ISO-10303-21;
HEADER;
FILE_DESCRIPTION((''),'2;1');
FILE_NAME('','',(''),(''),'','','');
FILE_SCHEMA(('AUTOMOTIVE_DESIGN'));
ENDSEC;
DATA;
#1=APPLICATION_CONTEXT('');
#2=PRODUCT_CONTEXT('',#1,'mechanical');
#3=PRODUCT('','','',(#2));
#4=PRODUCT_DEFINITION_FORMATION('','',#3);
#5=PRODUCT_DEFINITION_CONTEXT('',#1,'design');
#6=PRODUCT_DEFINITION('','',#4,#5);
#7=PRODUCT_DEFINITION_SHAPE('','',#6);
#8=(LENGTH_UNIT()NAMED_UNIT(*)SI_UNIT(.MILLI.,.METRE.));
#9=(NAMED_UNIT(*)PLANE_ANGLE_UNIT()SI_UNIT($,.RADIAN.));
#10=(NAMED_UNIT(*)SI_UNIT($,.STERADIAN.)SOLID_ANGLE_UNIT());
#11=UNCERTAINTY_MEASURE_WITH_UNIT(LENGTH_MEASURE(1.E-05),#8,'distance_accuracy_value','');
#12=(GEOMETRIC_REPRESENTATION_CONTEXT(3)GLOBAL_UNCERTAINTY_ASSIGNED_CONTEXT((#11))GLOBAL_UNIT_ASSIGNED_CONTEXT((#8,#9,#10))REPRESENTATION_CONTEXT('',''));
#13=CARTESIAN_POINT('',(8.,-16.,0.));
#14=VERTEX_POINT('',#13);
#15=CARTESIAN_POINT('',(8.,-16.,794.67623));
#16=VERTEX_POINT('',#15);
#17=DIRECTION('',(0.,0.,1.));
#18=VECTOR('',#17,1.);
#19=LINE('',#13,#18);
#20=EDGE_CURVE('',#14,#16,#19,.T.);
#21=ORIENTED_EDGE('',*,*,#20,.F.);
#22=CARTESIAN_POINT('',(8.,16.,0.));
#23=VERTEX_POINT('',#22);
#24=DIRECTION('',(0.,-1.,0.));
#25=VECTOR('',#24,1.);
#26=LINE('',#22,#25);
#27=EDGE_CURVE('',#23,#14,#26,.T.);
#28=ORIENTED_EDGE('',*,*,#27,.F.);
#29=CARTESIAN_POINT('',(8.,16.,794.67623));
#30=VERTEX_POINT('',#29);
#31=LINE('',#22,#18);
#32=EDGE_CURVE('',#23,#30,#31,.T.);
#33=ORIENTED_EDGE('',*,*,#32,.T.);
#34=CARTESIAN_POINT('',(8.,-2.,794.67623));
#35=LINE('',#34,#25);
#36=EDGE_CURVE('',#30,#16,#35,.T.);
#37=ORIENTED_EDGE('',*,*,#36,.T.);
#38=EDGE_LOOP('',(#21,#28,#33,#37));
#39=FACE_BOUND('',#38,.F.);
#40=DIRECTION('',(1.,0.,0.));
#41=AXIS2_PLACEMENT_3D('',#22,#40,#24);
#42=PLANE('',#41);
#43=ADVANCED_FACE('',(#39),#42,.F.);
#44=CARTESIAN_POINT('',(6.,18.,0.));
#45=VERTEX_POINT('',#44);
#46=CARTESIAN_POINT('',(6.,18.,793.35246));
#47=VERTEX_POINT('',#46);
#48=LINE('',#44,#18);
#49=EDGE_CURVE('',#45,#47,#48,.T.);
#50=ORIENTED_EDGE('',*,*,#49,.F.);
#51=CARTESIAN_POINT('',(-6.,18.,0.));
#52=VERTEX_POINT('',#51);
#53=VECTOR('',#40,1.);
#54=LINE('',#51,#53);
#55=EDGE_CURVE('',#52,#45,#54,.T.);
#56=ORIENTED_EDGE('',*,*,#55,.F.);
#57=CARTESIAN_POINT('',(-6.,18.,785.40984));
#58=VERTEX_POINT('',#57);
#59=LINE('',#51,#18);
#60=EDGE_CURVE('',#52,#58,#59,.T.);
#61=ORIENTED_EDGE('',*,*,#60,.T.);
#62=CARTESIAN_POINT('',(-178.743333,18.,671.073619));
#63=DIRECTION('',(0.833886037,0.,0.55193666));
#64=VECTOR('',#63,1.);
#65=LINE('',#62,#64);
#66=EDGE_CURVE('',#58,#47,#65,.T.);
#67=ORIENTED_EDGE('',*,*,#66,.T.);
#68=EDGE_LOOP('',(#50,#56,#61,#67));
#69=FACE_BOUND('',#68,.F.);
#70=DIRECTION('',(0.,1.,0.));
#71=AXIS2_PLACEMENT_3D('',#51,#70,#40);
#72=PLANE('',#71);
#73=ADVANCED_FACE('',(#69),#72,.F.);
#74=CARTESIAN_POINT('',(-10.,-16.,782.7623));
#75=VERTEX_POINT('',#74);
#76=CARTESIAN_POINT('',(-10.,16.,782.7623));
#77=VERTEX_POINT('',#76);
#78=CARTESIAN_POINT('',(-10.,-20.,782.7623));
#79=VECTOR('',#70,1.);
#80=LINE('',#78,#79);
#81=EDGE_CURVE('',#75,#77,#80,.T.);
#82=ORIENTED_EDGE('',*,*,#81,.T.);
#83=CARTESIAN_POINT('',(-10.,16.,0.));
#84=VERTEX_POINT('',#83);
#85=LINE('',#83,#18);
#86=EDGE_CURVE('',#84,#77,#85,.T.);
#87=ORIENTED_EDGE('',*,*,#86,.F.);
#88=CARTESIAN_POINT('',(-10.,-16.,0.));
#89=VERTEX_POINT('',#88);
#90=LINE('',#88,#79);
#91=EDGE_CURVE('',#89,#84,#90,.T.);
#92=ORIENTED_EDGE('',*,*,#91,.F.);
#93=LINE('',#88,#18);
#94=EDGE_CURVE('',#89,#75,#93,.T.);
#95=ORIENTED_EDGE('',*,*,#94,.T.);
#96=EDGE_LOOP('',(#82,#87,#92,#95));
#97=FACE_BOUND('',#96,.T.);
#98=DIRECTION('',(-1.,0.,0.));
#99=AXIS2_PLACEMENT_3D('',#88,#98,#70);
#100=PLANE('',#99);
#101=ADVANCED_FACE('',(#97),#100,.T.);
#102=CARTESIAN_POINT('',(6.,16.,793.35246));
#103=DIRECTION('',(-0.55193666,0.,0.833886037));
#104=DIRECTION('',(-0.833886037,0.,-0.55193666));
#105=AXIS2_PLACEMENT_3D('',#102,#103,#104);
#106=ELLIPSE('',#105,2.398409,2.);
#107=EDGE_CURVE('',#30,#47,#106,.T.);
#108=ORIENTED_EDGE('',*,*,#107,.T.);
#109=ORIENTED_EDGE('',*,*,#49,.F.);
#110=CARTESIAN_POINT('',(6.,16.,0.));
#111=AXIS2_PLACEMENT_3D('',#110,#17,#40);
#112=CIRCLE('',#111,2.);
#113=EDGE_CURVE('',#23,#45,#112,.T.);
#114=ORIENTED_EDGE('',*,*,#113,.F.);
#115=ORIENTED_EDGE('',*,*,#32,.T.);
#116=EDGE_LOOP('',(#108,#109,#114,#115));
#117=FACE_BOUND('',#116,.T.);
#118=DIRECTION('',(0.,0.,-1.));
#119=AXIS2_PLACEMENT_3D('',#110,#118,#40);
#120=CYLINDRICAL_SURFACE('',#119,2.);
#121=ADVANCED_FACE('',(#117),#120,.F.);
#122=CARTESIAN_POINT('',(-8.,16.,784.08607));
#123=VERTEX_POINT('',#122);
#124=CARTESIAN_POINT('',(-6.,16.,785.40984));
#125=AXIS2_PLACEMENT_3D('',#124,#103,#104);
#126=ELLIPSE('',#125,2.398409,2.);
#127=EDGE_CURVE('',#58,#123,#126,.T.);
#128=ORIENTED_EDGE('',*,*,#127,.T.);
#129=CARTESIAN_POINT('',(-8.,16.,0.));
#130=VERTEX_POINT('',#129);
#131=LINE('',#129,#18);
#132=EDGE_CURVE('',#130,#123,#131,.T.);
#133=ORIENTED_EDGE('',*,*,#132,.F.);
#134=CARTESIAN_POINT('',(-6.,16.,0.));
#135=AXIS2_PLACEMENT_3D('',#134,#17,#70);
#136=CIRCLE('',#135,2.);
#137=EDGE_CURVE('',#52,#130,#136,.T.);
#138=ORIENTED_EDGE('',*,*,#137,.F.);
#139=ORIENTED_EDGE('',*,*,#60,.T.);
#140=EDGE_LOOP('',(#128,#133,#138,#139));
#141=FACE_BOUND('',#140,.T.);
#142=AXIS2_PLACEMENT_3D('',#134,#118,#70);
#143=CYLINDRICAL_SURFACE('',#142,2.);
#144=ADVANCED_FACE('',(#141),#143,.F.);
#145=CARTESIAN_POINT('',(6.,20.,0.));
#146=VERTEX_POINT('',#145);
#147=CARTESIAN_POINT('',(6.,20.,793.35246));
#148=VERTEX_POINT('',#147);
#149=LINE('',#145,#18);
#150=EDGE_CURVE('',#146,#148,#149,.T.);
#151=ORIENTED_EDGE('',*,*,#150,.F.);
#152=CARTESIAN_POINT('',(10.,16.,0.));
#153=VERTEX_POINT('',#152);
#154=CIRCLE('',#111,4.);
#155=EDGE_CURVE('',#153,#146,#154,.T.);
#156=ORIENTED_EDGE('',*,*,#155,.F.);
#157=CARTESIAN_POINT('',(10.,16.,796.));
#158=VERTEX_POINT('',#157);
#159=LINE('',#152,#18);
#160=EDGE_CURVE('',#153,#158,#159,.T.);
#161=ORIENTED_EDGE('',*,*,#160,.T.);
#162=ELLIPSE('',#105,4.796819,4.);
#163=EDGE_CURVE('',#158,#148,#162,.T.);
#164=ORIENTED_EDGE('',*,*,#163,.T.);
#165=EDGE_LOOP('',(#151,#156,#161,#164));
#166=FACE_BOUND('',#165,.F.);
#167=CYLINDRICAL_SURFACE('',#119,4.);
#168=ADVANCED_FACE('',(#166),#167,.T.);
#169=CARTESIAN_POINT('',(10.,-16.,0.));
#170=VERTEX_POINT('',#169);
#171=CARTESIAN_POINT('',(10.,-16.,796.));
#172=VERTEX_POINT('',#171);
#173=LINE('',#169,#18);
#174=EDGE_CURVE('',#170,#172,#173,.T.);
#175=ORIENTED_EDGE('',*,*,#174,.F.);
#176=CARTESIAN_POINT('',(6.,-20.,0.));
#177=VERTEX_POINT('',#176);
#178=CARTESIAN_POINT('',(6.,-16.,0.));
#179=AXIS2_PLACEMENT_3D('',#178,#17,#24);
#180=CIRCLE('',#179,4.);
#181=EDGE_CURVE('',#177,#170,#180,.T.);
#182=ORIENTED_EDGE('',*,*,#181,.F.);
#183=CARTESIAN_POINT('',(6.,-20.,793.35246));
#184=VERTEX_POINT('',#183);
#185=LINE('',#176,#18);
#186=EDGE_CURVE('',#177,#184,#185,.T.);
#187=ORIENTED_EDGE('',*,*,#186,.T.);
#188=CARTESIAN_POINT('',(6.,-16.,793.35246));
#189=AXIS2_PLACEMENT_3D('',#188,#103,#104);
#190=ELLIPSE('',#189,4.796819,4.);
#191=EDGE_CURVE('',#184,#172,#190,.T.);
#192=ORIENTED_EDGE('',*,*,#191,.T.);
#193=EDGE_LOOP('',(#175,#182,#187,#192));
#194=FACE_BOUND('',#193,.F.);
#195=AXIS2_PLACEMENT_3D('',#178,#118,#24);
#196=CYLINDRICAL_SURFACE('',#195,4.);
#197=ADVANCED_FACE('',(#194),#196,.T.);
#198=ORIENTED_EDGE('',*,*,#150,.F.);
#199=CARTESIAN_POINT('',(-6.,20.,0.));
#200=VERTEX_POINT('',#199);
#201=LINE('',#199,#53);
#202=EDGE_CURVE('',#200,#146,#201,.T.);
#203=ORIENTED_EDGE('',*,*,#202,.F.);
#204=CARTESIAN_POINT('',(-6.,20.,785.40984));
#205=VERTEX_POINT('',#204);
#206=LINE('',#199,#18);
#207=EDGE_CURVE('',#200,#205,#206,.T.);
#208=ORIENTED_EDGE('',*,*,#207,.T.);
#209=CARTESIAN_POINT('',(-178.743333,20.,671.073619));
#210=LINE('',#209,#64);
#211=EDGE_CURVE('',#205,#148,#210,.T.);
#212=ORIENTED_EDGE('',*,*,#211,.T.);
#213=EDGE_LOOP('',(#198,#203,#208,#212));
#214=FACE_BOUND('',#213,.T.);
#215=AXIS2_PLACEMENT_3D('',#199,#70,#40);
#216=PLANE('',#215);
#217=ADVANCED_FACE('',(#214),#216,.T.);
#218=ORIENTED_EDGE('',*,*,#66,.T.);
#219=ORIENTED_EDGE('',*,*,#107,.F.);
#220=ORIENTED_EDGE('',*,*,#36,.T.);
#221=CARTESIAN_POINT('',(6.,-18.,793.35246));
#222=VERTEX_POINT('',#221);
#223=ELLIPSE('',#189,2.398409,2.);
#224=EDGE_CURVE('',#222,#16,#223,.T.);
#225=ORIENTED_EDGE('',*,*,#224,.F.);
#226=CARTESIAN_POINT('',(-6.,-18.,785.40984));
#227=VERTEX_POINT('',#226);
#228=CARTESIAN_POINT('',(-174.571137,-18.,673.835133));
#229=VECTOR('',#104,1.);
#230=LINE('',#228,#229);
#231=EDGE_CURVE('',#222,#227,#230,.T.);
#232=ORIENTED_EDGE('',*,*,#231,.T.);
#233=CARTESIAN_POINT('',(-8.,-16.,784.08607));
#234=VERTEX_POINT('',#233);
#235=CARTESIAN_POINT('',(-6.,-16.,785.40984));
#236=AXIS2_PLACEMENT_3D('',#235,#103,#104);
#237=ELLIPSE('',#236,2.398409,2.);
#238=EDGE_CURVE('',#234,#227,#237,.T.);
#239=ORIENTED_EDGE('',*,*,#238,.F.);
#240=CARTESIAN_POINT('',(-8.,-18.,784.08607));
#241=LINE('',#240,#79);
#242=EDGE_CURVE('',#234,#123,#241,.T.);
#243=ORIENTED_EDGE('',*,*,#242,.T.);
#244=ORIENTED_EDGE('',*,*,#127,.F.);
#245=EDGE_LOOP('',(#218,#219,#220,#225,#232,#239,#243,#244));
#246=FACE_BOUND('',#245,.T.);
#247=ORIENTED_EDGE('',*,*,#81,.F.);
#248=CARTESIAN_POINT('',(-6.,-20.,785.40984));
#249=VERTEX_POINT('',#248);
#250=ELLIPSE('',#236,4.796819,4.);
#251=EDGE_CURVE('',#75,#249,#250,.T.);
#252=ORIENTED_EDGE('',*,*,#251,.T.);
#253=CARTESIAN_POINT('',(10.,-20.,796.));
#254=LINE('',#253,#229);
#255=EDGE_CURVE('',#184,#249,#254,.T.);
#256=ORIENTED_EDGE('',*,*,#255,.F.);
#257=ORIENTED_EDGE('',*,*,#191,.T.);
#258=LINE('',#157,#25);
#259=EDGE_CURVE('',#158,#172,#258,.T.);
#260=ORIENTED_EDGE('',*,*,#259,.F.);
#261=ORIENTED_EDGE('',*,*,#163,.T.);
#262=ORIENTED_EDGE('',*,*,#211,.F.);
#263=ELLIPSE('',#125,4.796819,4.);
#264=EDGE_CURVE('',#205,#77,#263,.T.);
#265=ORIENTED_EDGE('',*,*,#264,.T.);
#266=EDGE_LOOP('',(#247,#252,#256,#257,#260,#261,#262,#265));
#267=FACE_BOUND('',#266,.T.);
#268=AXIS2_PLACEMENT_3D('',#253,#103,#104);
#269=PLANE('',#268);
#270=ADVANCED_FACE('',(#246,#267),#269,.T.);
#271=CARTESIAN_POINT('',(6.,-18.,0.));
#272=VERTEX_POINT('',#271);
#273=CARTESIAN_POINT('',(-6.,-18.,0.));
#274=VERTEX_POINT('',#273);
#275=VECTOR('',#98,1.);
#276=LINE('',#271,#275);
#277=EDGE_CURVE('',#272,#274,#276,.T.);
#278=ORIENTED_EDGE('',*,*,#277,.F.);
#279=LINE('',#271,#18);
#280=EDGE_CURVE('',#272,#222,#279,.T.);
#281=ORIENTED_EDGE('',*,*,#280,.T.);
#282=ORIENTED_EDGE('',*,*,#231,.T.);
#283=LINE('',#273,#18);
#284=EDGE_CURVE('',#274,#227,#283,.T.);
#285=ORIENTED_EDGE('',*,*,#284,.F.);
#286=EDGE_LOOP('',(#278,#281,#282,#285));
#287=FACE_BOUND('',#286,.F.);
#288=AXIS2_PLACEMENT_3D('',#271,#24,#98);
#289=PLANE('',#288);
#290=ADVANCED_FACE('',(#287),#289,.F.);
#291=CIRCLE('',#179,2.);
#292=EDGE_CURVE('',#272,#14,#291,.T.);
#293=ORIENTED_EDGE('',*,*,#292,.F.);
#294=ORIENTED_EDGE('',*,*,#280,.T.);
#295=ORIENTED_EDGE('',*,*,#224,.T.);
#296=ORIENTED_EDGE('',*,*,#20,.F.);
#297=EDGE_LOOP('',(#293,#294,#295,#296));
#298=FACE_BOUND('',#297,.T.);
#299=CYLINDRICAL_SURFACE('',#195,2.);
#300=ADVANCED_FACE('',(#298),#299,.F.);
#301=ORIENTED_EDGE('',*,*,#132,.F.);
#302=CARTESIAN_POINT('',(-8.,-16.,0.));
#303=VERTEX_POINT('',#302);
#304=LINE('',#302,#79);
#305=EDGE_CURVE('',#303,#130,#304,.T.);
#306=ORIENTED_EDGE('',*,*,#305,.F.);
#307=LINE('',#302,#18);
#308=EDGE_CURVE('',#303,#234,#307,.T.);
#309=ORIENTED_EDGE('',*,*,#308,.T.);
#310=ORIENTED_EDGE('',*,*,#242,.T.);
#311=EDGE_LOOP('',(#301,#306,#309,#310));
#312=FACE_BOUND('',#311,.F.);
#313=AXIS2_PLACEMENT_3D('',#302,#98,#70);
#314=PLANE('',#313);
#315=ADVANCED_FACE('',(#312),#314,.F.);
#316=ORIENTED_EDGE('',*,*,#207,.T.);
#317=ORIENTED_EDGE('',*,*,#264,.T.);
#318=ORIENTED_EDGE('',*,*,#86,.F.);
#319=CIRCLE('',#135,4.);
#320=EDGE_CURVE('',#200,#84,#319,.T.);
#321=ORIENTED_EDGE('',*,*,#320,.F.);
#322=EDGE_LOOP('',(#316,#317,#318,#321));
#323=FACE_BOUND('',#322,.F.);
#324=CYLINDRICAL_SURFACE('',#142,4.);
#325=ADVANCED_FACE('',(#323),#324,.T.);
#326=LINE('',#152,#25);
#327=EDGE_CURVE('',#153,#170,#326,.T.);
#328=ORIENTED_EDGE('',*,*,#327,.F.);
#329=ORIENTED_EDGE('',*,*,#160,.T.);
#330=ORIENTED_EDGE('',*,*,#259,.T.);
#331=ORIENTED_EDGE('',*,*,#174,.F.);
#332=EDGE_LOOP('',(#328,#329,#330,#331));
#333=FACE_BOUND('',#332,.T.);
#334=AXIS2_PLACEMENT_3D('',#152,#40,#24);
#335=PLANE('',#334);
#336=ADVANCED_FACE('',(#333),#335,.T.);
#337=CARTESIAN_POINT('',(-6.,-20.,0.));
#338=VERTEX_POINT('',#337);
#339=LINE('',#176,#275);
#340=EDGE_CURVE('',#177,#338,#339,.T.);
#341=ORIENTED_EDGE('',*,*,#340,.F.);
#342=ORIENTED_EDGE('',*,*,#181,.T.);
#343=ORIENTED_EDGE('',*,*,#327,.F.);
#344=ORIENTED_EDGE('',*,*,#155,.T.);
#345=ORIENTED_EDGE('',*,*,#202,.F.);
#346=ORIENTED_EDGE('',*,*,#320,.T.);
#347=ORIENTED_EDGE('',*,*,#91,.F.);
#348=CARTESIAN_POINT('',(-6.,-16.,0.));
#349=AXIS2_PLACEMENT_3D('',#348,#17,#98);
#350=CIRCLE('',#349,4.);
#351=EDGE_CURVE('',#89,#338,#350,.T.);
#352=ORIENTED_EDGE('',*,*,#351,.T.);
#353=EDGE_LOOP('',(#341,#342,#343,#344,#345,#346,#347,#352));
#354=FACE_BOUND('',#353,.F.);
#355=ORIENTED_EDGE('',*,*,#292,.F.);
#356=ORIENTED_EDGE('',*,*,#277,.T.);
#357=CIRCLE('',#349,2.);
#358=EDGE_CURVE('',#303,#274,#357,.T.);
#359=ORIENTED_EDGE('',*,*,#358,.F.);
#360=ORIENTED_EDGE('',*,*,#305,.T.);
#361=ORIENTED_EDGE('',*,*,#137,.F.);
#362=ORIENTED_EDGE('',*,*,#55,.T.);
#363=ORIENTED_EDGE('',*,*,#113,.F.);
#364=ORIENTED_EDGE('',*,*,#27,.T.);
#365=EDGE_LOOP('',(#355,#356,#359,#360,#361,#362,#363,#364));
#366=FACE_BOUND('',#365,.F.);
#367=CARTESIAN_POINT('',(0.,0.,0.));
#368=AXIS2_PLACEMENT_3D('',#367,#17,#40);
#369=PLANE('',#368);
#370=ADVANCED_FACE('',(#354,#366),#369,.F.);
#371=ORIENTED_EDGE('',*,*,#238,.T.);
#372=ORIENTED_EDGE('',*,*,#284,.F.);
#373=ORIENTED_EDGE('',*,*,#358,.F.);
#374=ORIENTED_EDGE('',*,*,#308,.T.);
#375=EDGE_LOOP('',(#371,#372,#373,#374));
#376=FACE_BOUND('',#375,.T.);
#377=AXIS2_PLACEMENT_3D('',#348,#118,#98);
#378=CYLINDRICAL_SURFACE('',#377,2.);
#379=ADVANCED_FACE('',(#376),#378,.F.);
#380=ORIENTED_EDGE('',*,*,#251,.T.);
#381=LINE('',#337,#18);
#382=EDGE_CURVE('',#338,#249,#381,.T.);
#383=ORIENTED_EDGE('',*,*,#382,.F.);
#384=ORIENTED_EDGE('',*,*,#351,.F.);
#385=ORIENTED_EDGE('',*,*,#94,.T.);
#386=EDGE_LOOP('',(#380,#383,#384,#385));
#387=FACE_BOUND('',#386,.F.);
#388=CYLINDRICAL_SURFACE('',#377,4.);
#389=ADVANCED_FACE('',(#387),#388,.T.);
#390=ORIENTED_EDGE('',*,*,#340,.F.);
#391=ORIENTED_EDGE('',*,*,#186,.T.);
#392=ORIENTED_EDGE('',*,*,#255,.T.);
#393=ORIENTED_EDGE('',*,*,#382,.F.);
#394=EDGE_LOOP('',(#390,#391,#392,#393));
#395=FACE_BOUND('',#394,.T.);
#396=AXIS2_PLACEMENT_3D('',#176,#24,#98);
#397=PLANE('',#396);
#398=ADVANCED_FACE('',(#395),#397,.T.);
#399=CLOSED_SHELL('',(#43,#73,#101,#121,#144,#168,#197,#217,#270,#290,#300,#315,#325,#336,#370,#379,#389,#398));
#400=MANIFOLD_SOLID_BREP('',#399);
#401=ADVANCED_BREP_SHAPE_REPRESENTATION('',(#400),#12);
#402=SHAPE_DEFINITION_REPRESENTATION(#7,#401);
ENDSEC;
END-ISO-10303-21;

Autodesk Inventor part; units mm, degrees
ref_plane "YZ Plane" through (0, 0, 0) normal (1, 0, 0) x (0, 1, 0)
ref_plane "Start plane" through (0, 0, 0) normal (0, 0, 1) x (1, 0, 0)
ref_plane "End plane" through (0, 0, 796) normal (0, 0, 1) x (1, 0, 0)
sketch "Sketch" plane through (0, 0, 0) normal (0, 0, 1) x (1, 0, 0)
  line L0 (-10, -16) -> (-10, 16)
  line L1 (-6, 20) -> (6, 20)
  line L2 (10, 16) -> (10, -16)
  line L3 (6, -20) -> (-6, -20)
  arc A0 (-10, -16) -> (-6, -20) centre (-6, -16) ccw
  arc A1 (10, 16) -> (6, 20) centre (6, 16) ccw
  arc A2 (-6, 20) -> (-10, 16) centre (-6, 16) ccw
  arc A3 (6, -20) -> (10, -16) centre (6, -16) ccw
  arc A4 (-6, 18) -> (-8, 16) centre (-6, 16) ccw
  line L4 (-6, 18) -> (6, 18)
  arc A5 (8, 16) -> (6, 18) centre (6, 16) ccw
  line L5 (8, 16) -> (8, -16)
  arc A6 (6, -18) -> (8, -16) centre (6, -16) ccw
  line L6 (6, -18) -> (-6, -18)
  arc A7 (-8, -16) -> (-6, -18) centre (-6, -16) ccw
  line L7 (-8, -16) -> (-8, 16)
  line L8 (0, 29.1598) -> (0, -29.1598) construction
  line L9 (-15.1598, 0) -> (15.1598, 0) construction
  dimension "d7" = 4
  dimension "d9" = 20
  dimension "d11" = 40
  dimension "d12" = 2
  dimension "d15" = 10
  dimension "d16" = 20
extrude "Body" add sketch "Sketch" along normal up to surface (796 mm away) from surface at 0
sketch "Sketch3" plane through (0, 0, 0) normal (0, 0, 1) x (1, 0, 0)
  line L0 (0, 0) -> (10, 0)
ref_plane "Work Plane3" through (0, 0, 0) normal (0, -1, 0) x (1, 0, 0)
sketch "Sketch5" plane through (-6, -20, 0) normal (0, -1, 0) x (1, 0, 0)
  line L0 (-4, 0) -> (-4, 796) projected
  line L1 (-4, 796) -> (0, 796) projected
  line L2 (12, 796) -> (0, 796) projected
  line L3 (12, 796) -> (16, 796) projected
  line L4 (16, 0) -> (16, 796) projected
  line L5 (16, 796) -> (-4, 782.7623)
  point P0 (6, 0)
  dimension "d19" = 33.5
extrude "Extrusion2" cut sketch "Sketch5" against normal through all
sketch "Sketch4" plane through (0, 0, 0) normal (0, -1, 0) x (1, 0, 0)
  line L0 (-2, 0) -> (12, 0) projected
  line L1 (-2, 796) -> (12, 796) projected
  dimension "d18" = 796
equation "\"d7\" = G_IR"
equation "\"d9\" = G_W"
equation "\"d11\" = G_H"
equation "\"d12\" = G_T"
equation "\"d15\" = 0.5 * d9"
equation "\"d16\" = 0.5 * d11"
equation "\"d3\" = G_L"
equation "\"G_W\" = 20"
equation "\"G_H\" = 40"
equation "\"G_T\" = 2"
equation "\"G_IR\" = 4"
equation "\"G_L\" = d18"
equation "\"G_OFFSET_START\" = 0"
equation "\"G_OFFSET_END\" = 0"
equation "\"d14\" = G_OFFSET_END + B_L"
equation "\"B_L\" = 796"
properties part number "ISO 4019 - 40x20x2 - 796" material "Steel, Mild"
